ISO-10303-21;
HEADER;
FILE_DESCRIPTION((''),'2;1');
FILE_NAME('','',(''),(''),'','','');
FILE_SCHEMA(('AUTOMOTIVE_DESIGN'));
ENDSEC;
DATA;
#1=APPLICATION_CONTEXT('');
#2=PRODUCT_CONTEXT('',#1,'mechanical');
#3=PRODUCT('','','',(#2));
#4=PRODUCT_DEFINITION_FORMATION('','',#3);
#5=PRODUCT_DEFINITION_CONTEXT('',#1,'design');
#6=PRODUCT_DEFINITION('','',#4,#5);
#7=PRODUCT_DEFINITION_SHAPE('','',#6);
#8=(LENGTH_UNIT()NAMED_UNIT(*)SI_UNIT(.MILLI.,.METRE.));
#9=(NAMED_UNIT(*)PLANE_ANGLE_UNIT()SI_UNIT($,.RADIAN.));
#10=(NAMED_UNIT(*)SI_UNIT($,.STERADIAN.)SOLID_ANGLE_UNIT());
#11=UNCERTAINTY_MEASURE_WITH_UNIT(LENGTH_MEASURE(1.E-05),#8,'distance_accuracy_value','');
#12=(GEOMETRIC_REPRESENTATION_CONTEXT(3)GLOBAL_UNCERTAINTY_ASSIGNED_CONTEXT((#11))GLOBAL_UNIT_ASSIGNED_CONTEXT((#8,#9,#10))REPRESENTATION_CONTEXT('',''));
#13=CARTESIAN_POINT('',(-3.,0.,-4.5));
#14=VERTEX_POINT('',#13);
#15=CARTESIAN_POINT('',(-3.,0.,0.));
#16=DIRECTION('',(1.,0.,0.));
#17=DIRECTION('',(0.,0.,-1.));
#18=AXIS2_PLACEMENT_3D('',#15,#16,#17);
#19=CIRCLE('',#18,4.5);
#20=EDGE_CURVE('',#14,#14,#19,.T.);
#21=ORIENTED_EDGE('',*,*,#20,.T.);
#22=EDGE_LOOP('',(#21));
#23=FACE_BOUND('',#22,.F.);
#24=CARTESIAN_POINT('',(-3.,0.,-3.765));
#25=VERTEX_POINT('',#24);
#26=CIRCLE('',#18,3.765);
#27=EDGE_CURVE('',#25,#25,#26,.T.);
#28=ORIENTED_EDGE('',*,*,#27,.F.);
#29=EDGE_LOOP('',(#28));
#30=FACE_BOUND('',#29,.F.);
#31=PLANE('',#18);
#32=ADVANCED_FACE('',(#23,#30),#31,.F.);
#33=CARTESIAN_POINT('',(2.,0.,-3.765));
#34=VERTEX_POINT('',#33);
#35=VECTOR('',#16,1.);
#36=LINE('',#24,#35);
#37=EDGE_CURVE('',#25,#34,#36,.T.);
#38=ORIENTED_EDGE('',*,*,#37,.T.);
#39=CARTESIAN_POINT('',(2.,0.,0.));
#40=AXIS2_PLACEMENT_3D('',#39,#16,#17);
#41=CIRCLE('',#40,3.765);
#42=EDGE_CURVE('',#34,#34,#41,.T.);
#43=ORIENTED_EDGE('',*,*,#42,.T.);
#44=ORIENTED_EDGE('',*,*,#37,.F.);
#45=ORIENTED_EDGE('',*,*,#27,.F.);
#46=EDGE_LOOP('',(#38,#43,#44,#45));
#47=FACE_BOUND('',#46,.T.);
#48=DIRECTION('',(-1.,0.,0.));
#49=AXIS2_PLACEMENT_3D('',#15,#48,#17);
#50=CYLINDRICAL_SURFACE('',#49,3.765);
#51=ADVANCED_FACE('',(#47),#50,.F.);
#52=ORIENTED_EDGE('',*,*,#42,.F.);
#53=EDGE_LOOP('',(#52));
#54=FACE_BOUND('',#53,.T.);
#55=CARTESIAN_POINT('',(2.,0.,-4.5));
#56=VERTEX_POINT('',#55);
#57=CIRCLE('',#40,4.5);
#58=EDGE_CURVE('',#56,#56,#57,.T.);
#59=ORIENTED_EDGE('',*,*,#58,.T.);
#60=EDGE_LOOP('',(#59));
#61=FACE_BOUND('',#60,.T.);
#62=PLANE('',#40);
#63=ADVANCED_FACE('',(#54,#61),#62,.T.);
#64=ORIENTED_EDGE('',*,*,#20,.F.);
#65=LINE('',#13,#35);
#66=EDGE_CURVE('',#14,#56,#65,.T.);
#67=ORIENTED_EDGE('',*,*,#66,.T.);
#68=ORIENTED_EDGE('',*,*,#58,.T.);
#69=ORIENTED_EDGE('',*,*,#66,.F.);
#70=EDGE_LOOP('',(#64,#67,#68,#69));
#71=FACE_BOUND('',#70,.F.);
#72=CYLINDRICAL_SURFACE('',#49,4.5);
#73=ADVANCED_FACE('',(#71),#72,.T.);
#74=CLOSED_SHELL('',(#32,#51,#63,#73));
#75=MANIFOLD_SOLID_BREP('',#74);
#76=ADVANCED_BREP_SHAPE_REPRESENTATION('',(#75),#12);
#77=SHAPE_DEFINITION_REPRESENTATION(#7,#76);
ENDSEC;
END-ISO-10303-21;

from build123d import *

# Parameters (mm, degrees)
CYLINDER_R          = 3.765
CYLINDER_DEPTH      = 5
CYLINDER001_R       = 4.5
CYLINDER001_DEPTH   = 5
CUT_PLACEMENT_ANGLE = 90


with BuildPart() as cylinder:
    # Cylinder → Cylinder (new body)
    with BuildSketch(Plane.XY.offset(10)):
        Circle(CYLINDER_R)
    extrude(amount=CYLINDER_DEPTH)


with BuildPart() as empalme:
    # Cylinder001 → Cylinder001 (new body)
    with BuildSketch(Plane.XY.offset(10)):
        Circle(CYLINDER001_R)
    extrude(amount=CYLINDER001_DEPTH)

    # Cut: cut Cylinder
    add(cylinder.part, mode=Mode.SUBTRACT)


with BuildPart() as empalme_1:
    # Cut placement: moved
    add(empalme.part.moved(Location((-13, 0, 0))).rotate(Axis((-13, 0, 0), (0, 1, 0)), CUT_PLACEMENT_ANGLE))


solid = empalme_1.part
